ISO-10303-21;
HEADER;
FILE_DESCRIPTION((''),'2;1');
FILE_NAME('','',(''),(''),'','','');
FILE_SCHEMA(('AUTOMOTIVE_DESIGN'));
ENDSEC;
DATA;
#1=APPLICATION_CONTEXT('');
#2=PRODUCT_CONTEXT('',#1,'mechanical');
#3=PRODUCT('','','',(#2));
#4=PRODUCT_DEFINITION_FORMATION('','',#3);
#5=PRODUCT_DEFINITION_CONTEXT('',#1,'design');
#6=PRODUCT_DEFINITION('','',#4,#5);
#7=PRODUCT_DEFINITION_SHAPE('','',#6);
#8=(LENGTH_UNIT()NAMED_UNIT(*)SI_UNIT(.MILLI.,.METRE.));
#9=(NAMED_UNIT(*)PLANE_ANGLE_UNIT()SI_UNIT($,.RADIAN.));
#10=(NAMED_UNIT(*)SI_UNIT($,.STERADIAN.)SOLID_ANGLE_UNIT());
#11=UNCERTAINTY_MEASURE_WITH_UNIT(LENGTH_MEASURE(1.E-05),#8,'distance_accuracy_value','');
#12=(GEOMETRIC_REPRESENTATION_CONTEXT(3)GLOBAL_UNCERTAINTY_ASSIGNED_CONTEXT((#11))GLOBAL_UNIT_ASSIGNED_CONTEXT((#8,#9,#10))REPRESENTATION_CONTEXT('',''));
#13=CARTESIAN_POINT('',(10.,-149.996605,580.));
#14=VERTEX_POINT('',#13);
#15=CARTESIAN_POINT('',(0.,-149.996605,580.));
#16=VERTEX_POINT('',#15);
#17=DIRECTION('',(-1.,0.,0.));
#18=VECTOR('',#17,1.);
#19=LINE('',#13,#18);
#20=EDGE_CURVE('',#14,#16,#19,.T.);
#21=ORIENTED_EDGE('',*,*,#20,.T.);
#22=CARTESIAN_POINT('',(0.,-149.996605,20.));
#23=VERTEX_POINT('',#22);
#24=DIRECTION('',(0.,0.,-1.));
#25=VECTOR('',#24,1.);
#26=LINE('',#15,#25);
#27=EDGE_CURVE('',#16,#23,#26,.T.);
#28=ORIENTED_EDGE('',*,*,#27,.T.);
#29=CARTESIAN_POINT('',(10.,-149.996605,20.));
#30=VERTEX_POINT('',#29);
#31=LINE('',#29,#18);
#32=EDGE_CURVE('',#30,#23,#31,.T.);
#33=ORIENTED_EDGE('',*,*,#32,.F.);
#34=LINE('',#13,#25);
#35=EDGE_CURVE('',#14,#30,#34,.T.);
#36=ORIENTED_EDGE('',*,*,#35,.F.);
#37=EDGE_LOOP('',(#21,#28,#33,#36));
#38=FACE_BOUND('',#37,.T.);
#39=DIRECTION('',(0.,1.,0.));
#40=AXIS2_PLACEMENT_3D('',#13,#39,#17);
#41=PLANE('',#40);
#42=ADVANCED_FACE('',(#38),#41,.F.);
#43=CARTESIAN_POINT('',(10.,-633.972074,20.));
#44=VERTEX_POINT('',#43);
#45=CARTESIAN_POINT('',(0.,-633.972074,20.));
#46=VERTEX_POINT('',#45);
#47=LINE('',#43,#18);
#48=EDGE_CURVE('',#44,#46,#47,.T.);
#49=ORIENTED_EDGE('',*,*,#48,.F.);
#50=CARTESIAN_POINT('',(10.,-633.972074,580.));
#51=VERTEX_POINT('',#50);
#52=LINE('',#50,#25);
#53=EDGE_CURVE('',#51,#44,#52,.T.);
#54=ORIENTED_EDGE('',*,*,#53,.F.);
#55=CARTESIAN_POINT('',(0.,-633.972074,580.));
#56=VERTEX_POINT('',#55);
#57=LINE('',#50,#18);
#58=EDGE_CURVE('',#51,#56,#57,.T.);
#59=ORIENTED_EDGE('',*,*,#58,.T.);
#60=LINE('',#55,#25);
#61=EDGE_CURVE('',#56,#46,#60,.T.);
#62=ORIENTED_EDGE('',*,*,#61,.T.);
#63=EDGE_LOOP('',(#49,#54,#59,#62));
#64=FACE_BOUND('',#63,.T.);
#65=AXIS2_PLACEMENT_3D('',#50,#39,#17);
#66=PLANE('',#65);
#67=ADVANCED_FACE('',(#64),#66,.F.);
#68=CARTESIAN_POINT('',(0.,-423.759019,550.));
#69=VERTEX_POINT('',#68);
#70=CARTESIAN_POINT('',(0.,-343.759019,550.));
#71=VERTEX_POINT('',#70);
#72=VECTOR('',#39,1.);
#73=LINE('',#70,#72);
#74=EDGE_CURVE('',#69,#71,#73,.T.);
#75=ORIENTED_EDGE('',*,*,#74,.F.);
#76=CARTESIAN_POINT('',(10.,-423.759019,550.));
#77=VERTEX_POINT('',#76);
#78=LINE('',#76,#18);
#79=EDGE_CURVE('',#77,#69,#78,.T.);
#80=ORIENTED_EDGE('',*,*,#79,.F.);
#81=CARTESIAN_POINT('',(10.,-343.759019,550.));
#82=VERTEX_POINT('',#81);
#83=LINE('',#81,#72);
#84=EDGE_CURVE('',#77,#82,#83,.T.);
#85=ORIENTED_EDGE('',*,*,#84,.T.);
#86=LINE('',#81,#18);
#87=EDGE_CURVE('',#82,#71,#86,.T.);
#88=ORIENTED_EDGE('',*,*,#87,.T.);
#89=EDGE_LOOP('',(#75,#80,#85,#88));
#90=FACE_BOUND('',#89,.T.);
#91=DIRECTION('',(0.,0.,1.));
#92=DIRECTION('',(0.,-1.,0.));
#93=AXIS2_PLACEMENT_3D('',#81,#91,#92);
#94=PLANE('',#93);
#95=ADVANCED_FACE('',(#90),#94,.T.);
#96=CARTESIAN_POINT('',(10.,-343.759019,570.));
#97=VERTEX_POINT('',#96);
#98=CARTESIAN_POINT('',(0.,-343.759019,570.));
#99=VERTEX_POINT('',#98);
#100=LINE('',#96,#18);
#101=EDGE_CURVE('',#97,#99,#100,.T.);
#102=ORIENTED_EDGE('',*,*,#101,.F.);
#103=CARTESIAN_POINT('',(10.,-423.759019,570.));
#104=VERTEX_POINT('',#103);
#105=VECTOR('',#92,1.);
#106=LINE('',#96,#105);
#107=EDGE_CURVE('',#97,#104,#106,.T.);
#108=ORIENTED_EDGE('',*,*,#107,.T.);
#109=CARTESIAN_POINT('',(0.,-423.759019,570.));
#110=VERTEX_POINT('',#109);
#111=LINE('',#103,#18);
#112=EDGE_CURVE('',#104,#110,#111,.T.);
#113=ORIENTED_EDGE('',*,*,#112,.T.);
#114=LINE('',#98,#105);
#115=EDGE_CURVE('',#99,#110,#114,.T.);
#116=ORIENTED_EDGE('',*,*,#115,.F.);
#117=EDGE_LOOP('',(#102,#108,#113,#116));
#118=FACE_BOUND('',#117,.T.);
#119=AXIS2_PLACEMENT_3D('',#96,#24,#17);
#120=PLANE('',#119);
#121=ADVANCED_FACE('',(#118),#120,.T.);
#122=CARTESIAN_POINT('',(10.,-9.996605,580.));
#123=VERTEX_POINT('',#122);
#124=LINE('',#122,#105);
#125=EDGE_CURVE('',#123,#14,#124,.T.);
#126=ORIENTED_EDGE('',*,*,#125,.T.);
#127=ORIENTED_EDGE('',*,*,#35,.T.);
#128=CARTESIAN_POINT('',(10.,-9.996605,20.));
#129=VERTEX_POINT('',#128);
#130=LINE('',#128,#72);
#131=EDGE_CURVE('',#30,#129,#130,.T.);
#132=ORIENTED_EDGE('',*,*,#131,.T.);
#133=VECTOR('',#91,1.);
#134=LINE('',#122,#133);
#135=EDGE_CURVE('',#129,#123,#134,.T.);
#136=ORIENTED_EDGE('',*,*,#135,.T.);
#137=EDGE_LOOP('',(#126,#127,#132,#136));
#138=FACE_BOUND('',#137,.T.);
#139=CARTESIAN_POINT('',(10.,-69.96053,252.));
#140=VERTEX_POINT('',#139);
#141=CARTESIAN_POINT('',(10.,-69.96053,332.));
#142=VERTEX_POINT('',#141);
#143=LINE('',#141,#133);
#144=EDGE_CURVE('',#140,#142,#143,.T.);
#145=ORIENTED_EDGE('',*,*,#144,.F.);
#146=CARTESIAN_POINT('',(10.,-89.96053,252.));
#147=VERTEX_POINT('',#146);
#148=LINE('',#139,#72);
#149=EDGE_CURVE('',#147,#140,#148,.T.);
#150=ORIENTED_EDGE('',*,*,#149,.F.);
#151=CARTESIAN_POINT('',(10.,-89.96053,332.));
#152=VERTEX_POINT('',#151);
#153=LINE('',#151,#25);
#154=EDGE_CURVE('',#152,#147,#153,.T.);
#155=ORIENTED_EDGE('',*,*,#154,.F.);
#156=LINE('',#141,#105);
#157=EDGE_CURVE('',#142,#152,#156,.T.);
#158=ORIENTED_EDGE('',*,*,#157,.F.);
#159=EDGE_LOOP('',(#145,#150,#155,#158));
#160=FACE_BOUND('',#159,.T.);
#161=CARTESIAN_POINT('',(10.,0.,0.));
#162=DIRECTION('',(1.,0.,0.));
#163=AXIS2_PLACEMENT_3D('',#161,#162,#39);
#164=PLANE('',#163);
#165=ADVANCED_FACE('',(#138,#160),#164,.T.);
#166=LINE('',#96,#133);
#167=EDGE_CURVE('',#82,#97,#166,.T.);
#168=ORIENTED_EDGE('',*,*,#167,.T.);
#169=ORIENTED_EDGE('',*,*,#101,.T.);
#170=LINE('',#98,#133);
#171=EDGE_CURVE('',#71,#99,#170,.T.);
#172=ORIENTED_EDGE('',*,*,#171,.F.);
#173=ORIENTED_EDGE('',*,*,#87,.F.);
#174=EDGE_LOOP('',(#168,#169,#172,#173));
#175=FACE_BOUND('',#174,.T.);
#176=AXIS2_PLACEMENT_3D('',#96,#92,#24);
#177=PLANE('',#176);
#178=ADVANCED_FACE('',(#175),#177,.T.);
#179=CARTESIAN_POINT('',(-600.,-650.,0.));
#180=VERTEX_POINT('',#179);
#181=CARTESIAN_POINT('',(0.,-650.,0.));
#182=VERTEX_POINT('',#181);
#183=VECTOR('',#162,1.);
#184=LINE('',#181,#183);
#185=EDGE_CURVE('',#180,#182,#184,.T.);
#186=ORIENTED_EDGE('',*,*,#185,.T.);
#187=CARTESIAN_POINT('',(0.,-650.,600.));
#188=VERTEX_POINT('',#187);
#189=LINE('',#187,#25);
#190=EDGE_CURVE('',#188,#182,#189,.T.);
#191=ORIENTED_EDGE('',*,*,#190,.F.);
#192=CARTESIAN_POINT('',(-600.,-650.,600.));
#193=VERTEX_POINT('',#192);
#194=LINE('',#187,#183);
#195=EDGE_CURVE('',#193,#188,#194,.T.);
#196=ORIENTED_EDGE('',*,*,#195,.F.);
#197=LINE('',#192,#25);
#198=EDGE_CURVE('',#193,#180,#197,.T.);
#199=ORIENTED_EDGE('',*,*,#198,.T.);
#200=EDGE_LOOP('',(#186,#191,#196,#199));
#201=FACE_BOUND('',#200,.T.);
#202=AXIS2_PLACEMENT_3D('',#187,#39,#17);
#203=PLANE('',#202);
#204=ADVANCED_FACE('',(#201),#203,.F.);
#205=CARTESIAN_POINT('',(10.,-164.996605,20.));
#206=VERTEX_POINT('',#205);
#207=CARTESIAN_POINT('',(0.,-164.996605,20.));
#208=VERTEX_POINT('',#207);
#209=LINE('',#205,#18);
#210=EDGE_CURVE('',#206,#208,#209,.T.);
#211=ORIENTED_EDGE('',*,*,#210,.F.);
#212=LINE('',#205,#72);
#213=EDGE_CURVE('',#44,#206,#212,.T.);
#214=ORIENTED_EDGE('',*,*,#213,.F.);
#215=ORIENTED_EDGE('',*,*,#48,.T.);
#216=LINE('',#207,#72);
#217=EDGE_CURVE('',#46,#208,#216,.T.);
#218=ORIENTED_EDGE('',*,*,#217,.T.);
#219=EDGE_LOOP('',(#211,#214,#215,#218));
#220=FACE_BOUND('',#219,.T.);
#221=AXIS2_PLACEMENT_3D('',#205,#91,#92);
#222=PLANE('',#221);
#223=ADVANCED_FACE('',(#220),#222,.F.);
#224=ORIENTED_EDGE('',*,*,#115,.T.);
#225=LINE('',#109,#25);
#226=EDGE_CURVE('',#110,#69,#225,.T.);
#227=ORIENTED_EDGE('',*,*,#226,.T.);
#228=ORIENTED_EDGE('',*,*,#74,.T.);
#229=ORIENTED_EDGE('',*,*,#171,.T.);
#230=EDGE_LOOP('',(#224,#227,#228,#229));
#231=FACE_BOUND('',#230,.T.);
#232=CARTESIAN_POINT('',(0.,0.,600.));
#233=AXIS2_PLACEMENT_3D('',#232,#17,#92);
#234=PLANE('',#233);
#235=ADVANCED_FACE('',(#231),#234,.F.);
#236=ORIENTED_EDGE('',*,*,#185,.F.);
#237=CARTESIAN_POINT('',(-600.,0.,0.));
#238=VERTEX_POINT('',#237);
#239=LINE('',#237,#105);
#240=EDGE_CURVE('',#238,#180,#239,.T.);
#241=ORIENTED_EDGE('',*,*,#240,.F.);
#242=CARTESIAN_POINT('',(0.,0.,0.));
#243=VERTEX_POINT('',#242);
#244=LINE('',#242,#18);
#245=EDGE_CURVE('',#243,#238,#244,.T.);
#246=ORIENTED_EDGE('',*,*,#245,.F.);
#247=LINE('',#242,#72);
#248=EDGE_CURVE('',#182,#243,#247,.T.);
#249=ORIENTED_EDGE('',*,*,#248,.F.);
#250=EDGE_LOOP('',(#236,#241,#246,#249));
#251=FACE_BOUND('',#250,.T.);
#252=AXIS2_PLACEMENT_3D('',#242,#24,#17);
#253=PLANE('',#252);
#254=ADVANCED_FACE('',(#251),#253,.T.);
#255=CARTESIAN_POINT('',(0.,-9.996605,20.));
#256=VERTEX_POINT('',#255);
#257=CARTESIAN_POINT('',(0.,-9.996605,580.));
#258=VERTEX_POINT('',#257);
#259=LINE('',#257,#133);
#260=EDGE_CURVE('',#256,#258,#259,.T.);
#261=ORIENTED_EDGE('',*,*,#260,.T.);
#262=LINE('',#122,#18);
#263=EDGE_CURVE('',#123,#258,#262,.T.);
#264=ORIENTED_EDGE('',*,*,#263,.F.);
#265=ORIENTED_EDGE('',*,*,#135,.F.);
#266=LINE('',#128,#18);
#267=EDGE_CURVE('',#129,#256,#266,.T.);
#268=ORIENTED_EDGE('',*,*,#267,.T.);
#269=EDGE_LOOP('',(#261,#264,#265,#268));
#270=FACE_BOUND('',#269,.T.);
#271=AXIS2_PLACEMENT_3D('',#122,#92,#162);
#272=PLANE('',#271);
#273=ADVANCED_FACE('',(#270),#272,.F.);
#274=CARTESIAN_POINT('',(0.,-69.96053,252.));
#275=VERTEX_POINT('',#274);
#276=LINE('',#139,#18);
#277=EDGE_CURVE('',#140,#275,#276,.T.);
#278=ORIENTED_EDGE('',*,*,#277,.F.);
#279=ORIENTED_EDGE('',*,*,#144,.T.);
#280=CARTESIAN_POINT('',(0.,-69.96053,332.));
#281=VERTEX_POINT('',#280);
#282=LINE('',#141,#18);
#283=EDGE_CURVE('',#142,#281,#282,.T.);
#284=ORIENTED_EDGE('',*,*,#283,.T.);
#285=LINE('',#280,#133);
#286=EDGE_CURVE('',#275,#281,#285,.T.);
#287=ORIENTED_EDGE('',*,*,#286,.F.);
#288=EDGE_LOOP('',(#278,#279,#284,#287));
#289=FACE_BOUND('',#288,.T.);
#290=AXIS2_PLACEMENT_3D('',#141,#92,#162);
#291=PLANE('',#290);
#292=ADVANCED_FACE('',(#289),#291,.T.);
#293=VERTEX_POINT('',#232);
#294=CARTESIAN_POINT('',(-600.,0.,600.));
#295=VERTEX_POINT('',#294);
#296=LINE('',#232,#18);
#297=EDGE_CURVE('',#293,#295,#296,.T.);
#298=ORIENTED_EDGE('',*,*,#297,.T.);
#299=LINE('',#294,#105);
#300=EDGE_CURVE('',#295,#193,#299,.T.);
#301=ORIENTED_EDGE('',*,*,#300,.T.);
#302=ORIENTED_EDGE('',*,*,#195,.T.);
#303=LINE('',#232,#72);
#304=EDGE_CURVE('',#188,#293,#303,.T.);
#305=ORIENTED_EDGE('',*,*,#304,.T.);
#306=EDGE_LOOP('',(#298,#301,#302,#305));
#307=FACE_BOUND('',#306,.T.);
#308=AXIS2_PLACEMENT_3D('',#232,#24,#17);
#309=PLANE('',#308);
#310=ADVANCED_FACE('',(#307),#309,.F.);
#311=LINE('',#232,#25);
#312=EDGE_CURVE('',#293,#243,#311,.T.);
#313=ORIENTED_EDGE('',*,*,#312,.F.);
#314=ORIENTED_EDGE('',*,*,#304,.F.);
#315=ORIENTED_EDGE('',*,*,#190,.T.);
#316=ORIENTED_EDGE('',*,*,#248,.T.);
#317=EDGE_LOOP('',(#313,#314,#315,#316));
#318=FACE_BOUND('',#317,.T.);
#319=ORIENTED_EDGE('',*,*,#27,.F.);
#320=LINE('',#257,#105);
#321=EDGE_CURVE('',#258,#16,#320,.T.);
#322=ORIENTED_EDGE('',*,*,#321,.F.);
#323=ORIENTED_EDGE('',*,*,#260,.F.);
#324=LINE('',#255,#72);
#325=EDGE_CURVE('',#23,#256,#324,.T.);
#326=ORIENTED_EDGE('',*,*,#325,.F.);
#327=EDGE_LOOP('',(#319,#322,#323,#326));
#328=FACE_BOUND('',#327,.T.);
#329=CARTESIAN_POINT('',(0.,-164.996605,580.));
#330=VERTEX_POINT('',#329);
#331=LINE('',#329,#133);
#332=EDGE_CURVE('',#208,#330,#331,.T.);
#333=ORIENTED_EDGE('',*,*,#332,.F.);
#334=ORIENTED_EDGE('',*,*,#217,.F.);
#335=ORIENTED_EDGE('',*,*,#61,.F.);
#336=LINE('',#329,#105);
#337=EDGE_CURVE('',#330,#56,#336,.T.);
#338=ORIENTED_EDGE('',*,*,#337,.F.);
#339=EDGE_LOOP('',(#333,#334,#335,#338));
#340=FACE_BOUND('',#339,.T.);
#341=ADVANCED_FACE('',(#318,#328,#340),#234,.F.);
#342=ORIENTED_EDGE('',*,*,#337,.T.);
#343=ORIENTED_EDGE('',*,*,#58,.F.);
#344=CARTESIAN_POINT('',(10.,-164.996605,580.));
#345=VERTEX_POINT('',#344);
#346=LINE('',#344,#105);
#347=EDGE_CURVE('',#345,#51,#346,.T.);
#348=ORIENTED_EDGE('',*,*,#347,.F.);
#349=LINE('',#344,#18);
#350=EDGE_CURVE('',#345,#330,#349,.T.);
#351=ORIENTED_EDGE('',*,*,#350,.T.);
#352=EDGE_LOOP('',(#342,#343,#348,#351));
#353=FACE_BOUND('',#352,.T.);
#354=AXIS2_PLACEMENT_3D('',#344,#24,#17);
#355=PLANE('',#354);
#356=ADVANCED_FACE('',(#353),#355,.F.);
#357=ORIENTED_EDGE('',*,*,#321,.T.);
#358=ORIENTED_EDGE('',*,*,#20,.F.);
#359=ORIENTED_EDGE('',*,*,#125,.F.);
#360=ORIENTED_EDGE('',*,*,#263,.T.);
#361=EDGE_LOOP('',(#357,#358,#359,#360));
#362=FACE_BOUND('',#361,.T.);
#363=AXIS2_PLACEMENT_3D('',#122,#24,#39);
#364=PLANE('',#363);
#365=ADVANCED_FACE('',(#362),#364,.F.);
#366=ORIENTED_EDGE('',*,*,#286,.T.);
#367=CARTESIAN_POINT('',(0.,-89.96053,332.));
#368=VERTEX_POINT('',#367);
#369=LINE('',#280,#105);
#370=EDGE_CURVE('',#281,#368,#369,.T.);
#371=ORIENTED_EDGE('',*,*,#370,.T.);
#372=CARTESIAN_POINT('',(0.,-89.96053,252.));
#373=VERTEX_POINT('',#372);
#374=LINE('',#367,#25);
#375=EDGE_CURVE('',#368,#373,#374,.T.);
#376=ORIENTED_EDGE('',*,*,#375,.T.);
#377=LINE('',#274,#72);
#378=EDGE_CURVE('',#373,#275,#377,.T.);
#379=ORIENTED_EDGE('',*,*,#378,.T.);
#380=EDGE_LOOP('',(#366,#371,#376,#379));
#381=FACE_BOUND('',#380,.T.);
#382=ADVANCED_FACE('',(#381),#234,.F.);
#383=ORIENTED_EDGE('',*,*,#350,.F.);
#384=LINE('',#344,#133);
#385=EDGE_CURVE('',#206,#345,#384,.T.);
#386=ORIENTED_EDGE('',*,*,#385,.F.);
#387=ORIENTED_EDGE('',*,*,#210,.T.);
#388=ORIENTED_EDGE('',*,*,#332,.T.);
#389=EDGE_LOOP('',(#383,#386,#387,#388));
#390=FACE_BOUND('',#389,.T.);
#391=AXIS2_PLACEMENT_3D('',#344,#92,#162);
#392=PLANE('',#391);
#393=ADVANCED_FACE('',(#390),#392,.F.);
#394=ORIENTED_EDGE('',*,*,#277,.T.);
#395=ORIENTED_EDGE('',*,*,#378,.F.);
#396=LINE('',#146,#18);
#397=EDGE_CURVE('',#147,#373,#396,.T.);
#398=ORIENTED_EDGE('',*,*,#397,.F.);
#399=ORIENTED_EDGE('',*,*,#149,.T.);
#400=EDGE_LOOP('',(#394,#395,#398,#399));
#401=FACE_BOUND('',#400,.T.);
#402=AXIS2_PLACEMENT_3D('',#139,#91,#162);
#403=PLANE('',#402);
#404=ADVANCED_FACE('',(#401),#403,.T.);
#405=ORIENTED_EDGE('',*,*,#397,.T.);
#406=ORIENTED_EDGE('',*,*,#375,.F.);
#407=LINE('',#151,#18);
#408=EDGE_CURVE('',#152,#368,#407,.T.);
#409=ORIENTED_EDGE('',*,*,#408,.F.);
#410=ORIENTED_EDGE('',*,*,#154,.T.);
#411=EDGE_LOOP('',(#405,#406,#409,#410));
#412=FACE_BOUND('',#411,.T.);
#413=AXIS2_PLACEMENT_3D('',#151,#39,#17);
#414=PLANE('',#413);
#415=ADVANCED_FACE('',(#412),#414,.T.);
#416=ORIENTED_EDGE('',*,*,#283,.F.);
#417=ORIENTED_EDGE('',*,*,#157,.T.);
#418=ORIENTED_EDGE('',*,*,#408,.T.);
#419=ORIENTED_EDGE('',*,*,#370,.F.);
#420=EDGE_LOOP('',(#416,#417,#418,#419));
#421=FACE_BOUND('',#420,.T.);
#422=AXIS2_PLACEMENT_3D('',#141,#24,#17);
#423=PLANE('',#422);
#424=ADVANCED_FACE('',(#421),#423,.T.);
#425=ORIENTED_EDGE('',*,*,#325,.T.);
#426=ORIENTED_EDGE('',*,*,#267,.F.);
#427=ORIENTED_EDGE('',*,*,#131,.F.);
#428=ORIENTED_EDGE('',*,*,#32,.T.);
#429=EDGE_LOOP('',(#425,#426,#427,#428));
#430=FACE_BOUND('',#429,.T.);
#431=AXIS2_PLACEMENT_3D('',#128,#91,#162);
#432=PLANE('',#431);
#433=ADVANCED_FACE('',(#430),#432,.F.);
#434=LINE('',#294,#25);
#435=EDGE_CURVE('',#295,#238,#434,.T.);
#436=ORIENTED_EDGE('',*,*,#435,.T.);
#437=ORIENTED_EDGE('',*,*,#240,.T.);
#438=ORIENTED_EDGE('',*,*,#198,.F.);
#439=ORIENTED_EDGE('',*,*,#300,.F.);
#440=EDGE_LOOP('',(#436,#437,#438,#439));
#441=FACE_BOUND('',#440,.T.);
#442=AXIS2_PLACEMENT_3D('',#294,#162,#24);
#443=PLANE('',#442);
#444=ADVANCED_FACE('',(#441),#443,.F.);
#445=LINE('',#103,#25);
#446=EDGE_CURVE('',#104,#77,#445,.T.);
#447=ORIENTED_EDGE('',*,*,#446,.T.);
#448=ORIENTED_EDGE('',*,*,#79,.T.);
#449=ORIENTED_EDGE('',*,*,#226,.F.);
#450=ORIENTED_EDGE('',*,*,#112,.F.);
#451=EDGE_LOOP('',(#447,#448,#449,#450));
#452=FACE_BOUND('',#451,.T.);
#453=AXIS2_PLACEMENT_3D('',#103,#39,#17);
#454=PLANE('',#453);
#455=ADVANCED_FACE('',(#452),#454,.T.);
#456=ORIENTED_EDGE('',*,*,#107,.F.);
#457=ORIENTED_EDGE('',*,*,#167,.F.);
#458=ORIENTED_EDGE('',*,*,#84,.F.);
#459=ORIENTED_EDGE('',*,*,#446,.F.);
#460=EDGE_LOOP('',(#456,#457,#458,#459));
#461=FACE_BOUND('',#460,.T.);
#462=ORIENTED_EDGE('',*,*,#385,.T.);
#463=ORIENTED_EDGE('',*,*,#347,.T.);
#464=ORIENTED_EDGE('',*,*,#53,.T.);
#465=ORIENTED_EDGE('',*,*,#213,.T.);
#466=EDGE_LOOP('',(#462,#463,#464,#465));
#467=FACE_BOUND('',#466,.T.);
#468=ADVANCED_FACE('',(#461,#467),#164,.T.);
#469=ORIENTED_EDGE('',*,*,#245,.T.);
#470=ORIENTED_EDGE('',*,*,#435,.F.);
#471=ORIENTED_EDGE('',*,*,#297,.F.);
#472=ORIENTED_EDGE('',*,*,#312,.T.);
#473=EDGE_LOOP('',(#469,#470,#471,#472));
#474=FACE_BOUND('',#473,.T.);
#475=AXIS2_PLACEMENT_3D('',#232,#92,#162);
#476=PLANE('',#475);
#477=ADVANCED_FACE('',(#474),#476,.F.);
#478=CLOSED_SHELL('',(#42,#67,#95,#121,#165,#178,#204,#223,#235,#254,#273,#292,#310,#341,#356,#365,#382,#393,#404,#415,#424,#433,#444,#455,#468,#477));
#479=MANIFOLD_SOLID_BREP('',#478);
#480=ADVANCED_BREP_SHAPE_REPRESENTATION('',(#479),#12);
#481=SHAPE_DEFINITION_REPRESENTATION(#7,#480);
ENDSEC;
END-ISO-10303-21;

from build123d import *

# Parameters (mm, degrees)
SKETCH1_W           = 600
SKETCH1_H           = 650
BOSS_EXTRUDE1_DEPTH = 600
SKETCH2_W           = 560
SKETCH2_H           = 140
SKETCH2_W_2         = 80
SKETCH2_H_2         = 20
SKETCH2_H_3         = 468.975468976
SKETCH2_W_3         = 20
SKETCH2_H_4         = 80
BOSS_EXTRUDE2_DEPTH = 10


with BuildPart() as part:
    # Sketch1 → Boss-Extrude1 (new body)
    with BuildSketch(Plane.XY):
        with Locations((-300, -325)):
            Rectangle(SKETCH1_W, SKETCH1_H)
    extrude(amount=BOSS_EXTRUDE1_DEPTH)

    # Sketch2 → Boss-Extrude2 (add)
    with BuildSketch(Plane(origin=(0, 0, 0), x_dir=(0, 0, -1), z_dir=(1, 0, 0))):
        with Locations((-300, -79.996604702)):
            Rectangle(SKETCH2_W, SKETCH2_H)
        with Locations((-292, -79.960529666)):
            Rectangle(SKETCH2_W_2, SKETCH2_H_2, mode=Mode.SUBTRACT)
        with Locations((-300, -399.48433919)):
            Rectangle(SKETCH2_W, SKETCH2_H_3)
        with Locations((-560, -383.759018759)):
            Rectangle(SKETCH2_W_3, SKETCH2_H_4, mode=Mode.SUBTRACT)
    extrude(amount=BOSS_EXTRUDE2_DEPTH)


solid = part.part
